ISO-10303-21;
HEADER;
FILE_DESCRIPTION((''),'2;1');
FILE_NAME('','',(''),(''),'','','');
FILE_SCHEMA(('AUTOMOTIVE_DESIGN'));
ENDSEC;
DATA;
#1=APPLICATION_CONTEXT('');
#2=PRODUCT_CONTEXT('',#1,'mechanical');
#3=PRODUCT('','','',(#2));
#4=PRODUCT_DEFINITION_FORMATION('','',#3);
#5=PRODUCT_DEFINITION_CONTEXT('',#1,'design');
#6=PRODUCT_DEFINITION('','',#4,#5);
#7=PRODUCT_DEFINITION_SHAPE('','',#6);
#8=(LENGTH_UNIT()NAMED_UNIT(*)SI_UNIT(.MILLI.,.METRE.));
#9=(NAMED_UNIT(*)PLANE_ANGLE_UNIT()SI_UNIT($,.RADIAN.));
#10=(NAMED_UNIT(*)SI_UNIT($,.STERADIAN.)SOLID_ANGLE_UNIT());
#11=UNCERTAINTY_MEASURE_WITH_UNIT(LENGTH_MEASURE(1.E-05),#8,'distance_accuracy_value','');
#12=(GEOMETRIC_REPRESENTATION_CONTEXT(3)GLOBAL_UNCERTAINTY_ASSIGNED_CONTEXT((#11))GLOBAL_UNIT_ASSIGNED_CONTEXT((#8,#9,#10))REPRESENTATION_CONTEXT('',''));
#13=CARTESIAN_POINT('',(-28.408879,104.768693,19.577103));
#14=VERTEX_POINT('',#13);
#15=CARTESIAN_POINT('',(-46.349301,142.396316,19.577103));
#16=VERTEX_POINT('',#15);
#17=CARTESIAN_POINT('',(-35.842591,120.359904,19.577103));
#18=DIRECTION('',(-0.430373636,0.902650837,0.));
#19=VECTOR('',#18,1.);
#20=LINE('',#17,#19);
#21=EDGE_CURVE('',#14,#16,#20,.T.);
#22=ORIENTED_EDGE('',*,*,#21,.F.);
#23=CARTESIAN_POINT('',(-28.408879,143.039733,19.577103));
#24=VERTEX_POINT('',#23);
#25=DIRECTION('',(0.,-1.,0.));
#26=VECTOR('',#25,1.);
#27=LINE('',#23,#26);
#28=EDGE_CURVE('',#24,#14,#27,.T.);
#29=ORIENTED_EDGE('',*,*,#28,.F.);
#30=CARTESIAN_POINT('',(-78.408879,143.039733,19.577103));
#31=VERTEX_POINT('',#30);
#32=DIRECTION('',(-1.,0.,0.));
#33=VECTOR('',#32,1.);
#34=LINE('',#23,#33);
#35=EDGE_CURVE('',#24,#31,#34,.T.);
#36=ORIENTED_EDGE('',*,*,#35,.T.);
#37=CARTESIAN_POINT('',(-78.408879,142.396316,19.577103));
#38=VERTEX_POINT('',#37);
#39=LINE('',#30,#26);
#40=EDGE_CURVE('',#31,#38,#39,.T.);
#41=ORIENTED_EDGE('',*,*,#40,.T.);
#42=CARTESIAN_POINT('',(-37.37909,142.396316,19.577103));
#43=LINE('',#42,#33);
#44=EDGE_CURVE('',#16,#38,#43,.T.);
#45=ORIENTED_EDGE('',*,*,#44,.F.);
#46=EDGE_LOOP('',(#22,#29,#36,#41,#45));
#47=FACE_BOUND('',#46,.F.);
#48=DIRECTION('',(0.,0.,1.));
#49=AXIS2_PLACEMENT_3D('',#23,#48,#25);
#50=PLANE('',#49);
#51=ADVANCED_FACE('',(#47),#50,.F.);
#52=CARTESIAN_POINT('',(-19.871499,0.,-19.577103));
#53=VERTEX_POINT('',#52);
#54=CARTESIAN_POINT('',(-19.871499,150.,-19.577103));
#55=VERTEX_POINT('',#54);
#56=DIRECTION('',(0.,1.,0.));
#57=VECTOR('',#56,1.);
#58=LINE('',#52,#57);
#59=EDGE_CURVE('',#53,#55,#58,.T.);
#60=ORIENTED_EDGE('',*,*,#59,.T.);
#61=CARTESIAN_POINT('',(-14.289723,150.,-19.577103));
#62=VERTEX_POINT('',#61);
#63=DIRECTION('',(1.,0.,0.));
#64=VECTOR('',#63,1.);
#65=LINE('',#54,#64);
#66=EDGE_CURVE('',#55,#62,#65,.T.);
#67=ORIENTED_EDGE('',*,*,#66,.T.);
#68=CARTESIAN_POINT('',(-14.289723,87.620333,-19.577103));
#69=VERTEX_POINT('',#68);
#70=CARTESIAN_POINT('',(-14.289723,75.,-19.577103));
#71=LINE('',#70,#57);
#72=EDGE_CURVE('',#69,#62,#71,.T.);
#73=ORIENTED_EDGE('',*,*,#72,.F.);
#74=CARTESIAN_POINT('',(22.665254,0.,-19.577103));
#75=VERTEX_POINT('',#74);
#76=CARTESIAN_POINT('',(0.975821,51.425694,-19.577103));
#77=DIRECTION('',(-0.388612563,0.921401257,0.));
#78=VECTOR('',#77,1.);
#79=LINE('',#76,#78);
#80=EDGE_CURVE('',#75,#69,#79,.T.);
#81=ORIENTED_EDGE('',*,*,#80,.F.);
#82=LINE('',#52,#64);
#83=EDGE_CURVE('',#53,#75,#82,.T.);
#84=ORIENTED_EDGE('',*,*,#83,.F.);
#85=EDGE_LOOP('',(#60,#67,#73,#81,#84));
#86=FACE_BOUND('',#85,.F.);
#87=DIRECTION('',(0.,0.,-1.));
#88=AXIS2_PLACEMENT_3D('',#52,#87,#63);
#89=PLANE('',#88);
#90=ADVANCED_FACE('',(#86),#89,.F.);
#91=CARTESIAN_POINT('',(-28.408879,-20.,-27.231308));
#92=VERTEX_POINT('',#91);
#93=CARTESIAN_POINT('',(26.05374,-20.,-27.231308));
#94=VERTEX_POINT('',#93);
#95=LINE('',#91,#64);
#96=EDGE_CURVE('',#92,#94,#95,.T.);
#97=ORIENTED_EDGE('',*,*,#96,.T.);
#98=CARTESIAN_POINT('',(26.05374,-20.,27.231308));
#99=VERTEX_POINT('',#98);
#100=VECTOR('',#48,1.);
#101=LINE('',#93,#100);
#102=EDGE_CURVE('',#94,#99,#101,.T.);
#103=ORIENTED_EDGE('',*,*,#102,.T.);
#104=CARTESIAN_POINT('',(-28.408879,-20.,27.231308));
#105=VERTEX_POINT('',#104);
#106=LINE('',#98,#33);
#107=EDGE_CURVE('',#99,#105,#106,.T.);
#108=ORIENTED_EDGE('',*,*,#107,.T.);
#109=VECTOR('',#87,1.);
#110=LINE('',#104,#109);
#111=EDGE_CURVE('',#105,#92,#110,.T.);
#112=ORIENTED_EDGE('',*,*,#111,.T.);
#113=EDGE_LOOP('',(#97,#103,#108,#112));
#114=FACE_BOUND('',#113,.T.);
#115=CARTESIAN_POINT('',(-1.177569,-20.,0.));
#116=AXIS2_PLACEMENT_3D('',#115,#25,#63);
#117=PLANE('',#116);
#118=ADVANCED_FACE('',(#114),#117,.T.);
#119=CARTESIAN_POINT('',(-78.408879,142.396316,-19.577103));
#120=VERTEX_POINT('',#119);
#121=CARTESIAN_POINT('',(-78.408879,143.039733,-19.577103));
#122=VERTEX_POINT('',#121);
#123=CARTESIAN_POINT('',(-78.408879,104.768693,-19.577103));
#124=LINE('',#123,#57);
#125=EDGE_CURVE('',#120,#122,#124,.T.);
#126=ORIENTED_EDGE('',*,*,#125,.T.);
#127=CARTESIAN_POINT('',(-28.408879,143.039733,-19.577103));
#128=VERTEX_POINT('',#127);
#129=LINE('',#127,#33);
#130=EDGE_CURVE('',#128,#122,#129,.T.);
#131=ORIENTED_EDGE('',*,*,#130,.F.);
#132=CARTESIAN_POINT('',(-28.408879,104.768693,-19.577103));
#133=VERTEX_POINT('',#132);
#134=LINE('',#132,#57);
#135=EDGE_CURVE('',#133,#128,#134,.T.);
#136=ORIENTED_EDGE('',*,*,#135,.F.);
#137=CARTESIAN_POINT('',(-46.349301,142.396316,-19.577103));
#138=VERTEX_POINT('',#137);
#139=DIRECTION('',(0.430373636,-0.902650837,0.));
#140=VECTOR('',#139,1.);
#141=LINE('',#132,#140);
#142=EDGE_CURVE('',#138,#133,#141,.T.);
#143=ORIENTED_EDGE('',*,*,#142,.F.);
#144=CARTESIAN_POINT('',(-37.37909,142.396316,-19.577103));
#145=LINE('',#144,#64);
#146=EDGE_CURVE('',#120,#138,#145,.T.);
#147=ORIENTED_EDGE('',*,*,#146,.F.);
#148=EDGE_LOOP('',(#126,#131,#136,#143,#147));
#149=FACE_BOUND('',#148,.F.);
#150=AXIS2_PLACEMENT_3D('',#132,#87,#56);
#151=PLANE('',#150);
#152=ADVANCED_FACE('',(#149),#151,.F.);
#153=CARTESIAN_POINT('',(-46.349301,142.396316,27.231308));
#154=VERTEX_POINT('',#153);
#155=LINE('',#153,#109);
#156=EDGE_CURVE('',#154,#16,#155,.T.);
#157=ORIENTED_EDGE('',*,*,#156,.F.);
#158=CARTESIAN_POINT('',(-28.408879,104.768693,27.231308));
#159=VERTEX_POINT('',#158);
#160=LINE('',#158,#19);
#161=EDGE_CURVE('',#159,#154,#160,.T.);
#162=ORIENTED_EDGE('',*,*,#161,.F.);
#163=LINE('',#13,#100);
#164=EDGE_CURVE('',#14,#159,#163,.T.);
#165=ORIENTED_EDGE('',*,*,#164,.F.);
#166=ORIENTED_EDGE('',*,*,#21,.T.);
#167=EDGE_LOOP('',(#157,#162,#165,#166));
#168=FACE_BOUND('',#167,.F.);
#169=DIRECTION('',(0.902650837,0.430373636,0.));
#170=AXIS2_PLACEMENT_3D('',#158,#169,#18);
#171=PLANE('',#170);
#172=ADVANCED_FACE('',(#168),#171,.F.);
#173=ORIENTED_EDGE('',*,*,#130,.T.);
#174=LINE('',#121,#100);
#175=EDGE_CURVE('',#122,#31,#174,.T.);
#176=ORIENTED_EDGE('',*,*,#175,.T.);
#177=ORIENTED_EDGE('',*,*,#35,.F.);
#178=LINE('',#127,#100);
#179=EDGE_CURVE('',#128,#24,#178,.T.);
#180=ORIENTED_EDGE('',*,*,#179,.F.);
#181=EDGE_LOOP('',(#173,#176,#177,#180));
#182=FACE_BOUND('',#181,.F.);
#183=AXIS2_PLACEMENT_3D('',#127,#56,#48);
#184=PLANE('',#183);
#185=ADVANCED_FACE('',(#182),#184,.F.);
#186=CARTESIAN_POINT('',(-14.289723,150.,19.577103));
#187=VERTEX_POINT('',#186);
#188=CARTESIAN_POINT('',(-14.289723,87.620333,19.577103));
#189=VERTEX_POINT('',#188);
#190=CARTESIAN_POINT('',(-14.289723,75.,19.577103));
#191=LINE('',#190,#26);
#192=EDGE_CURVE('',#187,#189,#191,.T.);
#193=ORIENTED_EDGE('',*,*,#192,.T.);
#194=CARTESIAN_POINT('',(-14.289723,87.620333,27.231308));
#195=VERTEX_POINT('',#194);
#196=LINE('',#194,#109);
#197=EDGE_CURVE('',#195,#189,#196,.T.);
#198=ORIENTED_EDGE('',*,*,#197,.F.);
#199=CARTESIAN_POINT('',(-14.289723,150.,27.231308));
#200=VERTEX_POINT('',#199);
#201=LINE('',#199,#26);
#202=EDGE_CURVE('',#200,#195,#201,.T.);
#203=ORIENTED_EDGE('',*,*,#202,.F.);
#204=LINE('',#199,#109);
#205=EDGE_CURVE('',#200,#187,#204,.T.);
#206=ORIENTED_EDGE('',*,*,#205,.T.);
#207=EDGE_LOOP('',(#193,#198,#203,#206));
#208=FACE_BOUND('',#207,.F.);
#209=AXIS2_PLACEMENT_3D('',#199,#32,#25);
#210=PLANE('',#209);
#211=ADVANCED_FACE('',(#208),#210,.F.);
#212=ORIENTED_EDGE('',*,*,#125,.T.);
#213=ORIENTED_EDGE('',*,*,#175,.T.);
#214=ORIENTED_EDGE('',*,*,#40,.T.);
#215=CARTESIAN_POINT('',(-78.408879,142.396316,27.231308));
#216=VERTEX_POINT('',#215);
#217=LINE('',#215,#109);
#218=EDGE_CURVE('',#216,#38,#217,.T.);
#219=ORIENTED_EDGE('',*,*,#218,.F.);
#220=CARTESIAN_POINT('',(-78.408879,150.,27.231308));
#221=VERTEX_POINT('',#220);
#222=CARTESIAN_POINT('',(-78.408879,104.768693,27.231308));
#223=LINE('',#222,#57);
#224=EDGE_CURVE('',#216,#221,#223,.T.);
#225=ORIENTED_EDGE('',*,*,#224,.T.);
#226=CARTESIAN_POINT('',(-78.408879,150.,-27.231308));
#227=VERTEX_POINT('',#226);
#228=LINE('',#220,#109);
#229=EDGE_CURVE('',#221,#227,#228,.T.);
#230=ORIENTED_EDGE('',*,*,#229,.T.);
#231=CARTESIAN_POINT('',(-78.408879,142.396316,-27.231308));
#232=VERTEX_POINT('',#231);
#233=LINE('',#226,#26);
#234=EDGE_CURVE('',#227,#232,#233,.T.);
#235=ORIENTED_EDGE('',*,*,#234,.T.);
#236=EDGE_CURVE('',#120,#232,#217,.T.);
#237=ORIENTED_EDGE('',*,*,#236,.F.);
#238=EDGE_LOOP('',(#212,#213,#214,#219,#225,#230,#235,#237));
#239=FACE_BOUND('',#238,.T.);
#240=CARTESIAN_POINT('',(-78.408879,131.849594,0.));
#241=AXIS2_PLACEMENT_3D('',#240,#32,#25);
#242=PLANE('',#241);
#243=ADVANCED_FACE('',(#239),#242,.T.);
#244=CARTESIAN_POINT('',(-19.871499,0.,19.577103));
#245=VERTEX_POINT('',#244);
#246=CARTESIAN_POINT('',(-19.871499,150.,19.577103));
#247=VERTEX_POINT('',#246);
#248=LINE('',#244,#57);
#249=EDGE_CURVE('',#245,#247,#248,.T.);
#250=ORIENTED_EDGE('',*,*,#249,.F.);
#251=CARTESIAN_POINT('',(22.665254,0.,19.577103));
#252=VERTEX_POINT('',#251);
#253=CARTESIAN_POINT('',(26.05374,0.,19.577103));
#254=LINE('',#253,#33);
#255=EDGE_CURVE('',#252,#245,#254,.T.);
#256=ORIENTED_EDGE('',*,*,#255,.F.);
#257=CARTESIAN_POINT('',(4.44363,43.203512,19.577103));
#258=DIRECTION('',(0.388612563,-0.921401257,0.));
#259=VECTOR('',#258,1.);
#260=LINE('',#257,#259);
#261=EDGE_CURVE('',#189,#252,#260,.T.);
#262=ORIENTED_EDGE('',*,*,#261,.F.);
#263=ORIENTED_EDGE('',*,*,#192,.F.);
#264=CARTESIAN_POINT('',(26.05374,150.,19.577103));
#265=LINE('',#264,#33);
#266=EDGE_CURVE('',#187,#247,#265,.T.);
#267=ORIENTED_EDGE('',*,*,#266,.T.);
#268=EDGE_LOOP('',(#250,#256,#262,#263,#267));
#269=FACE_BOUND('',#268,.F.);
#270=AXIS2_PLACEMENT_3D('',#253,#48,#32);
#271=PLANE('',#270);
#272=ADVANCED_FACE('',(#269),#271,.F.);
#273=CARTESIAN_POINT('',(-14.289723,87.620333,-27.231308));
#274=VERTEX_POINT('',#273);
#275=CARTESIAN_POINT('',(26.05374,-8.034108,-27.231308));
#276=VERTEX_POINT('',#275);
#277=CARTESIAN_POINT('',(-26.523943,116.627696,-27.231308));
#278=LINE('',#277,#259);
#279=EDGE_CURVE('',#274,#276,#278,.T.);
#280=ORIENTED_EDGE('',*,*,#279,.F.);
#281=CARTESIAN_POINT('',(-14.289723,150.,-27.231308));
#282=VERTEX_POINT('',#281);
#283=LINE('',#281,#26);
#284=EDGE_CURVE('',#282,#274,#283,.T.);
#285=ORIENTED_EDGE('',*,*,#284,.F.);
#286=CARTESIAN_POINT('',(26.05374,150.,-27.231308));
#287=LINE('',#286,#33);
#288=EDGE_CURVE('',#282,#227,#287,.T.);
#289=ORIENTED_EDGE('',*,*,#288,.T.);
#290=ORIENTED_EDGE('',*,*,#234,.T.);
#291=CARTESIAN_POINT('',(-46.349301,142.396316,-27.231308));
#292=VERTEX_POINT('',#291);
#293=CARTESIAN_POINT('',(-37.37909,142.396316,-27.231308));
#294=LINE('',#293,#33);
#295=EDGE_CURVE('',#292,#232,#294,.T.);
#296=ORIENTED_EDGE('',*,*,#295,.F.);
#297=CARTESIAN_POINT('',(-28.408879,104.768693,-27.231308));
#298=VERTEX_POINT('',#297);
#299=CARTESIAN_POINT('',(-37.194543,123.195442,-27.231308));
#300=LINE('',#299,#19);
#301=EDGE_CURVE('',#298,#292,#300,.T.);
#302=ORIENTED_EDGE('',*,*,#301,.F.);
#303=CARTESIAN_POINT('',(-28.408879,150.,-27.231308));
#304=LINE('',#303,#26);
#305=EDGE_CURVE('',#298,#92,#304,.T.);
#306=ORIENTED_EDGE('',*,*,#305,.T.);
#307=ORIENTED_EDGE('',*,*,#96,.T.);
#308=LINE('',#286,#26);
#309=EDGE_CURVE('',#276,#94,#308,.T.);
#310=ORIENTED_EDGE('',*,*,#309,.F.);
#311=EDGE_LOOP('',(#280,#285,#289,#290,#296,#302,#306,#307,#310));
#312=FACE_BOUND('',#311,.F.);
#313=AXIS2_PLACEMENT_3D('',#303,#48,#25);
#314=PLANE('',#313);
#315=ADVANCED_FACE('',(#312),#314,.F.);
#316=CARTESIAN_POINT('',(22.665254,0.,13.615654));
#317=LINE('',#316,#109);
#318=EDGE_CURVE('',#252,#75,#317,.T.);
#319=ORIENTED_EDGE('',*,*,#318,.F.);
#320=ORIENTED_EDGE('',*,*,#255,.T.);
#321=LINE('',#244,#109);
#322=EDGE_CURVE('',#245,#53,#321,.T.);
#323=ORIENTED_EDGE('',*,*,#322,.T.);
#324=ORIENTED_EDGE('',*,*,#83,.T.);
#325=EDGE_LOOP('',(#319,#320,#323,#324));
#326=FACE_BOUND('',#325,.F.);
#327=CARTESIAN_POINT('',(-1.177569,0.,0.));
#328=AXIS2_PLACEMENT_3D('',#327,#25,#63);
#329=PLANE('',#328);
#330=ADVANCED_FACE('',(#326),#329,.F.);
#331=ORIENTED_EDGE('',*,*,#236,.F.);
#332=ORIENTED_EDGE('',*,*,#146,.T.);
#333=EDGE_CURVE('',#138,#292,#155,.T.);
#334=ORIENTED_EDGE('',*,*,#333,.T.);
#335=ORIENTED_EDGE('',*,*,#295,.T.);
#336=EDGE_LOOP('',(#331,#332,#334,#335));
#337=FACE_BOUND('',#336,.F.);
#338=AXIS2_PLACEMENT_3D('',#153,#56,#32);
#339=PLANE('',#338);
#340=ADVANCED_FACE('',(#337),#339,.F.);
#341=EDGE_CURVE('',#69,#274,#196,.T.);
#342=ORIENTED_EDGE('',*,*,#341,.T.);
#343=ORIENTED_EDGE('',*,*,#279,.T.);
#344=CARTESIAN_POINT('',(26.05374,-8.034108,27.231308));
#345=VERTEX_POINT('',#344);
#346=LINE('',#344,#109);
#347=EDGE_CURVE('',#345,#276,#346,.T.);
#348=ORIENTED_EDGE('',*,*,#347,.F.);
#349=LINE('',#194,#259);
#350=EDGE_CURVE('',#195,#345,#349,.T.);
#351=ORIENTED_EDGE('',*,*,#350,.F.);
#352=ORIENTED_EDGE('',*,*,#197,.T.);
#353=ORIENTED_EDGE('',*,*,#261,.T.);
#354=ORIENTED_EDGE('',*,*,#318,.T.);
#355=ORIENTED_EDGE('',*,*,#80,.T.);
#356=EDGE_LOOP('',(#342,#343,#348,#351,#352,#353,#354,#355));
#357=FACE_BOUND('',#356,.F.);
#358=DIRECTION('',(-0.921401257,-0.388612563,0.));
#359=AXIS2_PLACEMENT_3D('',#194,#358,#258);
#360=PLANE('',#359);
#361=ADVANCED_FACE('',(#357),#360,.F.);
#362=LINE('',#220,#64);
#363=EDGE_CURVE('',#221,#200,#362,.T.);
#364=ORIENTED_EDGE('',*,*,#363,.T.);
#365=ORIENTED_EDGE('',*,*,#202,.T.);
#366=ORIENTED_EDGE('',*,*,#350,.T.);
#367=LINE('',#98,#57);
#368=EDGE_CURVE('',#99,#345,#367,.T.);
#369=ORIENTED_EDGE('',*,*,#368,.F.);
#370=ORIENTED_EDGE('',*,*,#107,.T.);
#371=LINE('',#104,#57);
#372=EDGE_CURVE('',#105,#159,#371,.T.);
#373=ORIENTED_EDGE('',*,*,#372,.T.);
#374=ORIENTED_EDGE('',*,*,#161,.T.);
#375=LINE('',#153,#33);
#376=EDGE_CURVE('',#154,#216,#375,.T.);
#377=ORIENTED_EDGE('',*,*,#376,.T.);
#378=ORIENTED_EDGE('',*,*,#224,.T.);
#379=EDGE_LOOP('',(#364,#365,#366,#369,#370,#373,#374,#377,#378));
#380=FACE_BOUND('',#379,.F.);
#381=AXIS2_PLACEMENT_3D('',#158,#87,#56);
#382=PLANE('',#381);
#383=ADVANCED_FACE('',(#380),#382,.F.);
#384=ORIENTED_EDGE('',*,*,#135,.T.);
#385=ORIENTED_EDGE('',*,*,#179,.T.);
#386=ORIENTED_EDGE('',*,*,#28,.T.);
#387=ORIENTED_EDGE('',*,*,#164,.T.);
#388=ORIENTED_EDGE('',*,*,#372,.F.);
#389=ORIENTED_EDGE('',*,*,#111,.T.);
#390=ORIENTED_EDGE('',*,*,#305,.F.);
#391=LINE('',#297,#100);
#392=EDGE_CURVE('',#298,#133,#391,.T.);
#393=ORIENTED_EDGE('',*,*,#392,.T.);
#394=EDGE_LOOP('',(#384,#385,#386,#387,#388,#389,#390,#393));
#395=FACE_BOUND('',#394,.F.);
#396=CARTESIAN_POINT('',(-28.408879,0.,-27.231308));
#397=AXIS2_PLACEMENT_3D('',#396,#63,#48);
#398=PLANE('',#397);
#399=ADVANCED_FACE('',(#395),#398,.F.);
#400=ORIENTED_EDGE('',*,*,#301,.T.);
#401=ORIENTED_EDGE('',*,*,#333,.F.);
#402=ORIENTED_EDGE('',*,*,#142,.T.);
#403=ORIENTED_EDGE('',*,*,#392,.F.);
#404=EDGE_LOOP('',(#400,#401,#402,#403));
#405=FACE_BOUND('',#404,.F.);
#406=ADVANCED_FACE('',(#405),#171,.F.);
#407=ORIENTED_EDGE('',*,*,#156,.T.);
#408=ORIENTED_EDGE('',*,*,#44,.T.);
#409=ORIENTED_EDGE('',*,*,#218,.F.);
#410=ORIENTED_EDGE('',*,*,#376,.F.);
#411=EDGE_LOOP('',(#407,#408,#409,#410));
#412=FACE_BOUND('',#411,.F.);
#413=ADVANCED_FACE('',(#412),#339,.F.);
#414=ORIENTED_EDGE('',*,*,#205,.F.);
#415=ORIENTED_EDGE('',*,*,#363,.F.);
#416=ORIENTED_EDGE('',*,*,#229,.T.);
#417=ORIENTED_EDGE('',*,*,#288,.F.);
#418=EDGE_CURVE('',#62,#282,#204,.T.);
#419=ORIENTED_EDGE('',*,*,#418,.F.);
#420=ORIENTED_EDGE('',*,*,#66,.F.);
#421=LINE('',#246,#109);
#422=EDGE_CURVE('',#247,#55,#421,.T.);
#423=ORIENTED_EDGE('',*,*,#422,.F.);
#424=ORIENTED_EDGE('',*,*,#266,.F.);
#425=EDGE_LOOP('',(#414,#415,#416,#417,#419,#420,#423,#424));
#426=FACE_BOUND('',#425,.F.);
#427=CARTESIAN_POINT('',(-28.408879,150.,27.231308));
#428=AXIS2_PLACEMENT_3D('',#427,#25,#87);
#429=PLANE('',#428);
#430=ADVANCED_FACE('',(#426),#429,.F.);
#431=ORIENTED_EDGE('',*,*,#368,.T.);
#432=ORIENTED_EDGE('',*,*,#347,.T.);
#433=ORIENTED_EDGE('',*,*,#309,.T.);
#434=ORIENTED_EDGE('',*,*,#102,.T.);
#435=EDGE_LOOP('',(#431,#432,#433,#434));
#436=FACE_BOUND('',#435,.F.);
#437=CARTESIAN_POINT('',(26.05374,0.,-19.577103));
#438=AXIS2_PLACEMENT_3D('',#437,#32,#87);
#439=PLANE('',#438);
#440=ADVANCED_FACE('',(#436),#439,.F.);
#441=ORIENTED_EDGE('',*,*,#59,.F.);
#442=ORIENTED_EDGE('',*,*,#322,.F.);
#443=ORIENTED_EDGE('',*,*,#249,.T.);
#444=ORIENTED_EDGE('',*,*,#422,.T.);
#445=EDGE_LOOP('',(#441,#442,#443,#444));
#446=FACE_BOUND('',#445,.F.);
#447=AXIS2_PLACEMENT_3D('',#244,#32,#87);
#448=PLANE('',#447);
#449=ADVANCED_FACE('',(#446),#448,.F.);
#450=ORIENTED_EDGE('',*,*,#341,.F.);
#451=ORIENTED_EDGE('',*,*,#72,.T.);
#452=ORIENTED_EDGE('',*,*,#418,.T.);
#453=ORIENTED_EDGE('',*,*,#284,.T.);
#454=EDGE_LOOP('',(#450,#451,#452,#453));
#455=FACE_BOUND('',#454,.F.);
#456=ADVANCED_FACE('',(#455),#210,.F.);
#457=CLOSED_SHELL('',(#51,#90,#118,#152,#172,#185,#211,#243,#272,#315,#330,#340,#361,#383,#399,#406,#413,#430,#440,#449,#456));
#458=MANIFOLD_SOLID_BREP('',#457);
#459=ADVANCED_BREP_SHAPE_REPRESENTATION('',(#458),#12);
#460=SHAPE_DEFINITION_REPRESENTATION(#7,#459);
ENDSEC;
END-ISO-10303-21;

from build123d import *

# Parameters (mm, degrees)
F1_DEPTH = 20
F3_DEPTH = 150
F5_DEPTH = 50
F7_DEPTH = 54.463615
F9_DEPTH = 54.463615


with BuildPart() as f1:
    # F0 (on Front) → F1 (new body)
    with BuildSketch(Plane.XZ):
        Polygon((-28.408879, 27.231308), (-28.408879, 0), (-28.408879, -27.231308), (26.05374, -27.231308), (26.05374, 0), (26.05374, 27.231308), align=None)
    extrude(amount=F1_DEPTH)

    # F2 (on face) → F3 (join)
    with BuildSketch(Plane(origin=(0, 0, 0), x_dir=(-1, 0, 0), z_dir=(0, 1, 0))):
        Polygon((28.408879, -27.231308), (28.408879, 27.231308), (-26.05374, 27.231308), (-26.05374, 19.577103), (19.871499, 19.577103), (19.871499, 0), (19.871499, -19.577103), (-26.05374, -19.577103), (-26.05374, -27.231308), align=None)
    extrude(amount=F3_DEPTH)

    # F4 (on face) → F5 (join)
    with BuildSketch(Plane(origin=(-28.408879, 0, 0), x_dir=(0, -1, 0), z_dir=(-1, 0, 0))):
        Polygon((-150, 27.231308), (-150, 0), (-150, -27.231308), (-104.768693, -27.231308), (-104.768693, -19.577103), (-143.039733, -19.577103), (-143.039733, 0), (-143.039733, 19.577103), (-104.768693, 19.577103), (-104.768693, 27.231308), align=None)
    extrude(amount=F5_DEPTH)

    # F6 (on face) → F7 (cut, through all)
    with BuildSketch(Plane.XY.offset(27.231308)):
        Polygon((-14.289723, 87.620333), (26.05374, -8.034108), (26.05374, 150), (-14.289723, 150), align=None)
    extrude(amount=-F7_DEPTH, mode=Mode.SUBTRACT)

    # F8 (on face) → F9 (cut, through all)
    with BuildSketch(Plane.XY.offset(27.231308)):
        Polygon((-78.408879, 104.768693), (-28.408879, 104.768693), (-46.349301, 142.396316), (-78.408879, 142.396316), align=None)
    extrude(amount=-F9_DEPTH, mode=Mode.SUBTRACT)


solid = f1.part
